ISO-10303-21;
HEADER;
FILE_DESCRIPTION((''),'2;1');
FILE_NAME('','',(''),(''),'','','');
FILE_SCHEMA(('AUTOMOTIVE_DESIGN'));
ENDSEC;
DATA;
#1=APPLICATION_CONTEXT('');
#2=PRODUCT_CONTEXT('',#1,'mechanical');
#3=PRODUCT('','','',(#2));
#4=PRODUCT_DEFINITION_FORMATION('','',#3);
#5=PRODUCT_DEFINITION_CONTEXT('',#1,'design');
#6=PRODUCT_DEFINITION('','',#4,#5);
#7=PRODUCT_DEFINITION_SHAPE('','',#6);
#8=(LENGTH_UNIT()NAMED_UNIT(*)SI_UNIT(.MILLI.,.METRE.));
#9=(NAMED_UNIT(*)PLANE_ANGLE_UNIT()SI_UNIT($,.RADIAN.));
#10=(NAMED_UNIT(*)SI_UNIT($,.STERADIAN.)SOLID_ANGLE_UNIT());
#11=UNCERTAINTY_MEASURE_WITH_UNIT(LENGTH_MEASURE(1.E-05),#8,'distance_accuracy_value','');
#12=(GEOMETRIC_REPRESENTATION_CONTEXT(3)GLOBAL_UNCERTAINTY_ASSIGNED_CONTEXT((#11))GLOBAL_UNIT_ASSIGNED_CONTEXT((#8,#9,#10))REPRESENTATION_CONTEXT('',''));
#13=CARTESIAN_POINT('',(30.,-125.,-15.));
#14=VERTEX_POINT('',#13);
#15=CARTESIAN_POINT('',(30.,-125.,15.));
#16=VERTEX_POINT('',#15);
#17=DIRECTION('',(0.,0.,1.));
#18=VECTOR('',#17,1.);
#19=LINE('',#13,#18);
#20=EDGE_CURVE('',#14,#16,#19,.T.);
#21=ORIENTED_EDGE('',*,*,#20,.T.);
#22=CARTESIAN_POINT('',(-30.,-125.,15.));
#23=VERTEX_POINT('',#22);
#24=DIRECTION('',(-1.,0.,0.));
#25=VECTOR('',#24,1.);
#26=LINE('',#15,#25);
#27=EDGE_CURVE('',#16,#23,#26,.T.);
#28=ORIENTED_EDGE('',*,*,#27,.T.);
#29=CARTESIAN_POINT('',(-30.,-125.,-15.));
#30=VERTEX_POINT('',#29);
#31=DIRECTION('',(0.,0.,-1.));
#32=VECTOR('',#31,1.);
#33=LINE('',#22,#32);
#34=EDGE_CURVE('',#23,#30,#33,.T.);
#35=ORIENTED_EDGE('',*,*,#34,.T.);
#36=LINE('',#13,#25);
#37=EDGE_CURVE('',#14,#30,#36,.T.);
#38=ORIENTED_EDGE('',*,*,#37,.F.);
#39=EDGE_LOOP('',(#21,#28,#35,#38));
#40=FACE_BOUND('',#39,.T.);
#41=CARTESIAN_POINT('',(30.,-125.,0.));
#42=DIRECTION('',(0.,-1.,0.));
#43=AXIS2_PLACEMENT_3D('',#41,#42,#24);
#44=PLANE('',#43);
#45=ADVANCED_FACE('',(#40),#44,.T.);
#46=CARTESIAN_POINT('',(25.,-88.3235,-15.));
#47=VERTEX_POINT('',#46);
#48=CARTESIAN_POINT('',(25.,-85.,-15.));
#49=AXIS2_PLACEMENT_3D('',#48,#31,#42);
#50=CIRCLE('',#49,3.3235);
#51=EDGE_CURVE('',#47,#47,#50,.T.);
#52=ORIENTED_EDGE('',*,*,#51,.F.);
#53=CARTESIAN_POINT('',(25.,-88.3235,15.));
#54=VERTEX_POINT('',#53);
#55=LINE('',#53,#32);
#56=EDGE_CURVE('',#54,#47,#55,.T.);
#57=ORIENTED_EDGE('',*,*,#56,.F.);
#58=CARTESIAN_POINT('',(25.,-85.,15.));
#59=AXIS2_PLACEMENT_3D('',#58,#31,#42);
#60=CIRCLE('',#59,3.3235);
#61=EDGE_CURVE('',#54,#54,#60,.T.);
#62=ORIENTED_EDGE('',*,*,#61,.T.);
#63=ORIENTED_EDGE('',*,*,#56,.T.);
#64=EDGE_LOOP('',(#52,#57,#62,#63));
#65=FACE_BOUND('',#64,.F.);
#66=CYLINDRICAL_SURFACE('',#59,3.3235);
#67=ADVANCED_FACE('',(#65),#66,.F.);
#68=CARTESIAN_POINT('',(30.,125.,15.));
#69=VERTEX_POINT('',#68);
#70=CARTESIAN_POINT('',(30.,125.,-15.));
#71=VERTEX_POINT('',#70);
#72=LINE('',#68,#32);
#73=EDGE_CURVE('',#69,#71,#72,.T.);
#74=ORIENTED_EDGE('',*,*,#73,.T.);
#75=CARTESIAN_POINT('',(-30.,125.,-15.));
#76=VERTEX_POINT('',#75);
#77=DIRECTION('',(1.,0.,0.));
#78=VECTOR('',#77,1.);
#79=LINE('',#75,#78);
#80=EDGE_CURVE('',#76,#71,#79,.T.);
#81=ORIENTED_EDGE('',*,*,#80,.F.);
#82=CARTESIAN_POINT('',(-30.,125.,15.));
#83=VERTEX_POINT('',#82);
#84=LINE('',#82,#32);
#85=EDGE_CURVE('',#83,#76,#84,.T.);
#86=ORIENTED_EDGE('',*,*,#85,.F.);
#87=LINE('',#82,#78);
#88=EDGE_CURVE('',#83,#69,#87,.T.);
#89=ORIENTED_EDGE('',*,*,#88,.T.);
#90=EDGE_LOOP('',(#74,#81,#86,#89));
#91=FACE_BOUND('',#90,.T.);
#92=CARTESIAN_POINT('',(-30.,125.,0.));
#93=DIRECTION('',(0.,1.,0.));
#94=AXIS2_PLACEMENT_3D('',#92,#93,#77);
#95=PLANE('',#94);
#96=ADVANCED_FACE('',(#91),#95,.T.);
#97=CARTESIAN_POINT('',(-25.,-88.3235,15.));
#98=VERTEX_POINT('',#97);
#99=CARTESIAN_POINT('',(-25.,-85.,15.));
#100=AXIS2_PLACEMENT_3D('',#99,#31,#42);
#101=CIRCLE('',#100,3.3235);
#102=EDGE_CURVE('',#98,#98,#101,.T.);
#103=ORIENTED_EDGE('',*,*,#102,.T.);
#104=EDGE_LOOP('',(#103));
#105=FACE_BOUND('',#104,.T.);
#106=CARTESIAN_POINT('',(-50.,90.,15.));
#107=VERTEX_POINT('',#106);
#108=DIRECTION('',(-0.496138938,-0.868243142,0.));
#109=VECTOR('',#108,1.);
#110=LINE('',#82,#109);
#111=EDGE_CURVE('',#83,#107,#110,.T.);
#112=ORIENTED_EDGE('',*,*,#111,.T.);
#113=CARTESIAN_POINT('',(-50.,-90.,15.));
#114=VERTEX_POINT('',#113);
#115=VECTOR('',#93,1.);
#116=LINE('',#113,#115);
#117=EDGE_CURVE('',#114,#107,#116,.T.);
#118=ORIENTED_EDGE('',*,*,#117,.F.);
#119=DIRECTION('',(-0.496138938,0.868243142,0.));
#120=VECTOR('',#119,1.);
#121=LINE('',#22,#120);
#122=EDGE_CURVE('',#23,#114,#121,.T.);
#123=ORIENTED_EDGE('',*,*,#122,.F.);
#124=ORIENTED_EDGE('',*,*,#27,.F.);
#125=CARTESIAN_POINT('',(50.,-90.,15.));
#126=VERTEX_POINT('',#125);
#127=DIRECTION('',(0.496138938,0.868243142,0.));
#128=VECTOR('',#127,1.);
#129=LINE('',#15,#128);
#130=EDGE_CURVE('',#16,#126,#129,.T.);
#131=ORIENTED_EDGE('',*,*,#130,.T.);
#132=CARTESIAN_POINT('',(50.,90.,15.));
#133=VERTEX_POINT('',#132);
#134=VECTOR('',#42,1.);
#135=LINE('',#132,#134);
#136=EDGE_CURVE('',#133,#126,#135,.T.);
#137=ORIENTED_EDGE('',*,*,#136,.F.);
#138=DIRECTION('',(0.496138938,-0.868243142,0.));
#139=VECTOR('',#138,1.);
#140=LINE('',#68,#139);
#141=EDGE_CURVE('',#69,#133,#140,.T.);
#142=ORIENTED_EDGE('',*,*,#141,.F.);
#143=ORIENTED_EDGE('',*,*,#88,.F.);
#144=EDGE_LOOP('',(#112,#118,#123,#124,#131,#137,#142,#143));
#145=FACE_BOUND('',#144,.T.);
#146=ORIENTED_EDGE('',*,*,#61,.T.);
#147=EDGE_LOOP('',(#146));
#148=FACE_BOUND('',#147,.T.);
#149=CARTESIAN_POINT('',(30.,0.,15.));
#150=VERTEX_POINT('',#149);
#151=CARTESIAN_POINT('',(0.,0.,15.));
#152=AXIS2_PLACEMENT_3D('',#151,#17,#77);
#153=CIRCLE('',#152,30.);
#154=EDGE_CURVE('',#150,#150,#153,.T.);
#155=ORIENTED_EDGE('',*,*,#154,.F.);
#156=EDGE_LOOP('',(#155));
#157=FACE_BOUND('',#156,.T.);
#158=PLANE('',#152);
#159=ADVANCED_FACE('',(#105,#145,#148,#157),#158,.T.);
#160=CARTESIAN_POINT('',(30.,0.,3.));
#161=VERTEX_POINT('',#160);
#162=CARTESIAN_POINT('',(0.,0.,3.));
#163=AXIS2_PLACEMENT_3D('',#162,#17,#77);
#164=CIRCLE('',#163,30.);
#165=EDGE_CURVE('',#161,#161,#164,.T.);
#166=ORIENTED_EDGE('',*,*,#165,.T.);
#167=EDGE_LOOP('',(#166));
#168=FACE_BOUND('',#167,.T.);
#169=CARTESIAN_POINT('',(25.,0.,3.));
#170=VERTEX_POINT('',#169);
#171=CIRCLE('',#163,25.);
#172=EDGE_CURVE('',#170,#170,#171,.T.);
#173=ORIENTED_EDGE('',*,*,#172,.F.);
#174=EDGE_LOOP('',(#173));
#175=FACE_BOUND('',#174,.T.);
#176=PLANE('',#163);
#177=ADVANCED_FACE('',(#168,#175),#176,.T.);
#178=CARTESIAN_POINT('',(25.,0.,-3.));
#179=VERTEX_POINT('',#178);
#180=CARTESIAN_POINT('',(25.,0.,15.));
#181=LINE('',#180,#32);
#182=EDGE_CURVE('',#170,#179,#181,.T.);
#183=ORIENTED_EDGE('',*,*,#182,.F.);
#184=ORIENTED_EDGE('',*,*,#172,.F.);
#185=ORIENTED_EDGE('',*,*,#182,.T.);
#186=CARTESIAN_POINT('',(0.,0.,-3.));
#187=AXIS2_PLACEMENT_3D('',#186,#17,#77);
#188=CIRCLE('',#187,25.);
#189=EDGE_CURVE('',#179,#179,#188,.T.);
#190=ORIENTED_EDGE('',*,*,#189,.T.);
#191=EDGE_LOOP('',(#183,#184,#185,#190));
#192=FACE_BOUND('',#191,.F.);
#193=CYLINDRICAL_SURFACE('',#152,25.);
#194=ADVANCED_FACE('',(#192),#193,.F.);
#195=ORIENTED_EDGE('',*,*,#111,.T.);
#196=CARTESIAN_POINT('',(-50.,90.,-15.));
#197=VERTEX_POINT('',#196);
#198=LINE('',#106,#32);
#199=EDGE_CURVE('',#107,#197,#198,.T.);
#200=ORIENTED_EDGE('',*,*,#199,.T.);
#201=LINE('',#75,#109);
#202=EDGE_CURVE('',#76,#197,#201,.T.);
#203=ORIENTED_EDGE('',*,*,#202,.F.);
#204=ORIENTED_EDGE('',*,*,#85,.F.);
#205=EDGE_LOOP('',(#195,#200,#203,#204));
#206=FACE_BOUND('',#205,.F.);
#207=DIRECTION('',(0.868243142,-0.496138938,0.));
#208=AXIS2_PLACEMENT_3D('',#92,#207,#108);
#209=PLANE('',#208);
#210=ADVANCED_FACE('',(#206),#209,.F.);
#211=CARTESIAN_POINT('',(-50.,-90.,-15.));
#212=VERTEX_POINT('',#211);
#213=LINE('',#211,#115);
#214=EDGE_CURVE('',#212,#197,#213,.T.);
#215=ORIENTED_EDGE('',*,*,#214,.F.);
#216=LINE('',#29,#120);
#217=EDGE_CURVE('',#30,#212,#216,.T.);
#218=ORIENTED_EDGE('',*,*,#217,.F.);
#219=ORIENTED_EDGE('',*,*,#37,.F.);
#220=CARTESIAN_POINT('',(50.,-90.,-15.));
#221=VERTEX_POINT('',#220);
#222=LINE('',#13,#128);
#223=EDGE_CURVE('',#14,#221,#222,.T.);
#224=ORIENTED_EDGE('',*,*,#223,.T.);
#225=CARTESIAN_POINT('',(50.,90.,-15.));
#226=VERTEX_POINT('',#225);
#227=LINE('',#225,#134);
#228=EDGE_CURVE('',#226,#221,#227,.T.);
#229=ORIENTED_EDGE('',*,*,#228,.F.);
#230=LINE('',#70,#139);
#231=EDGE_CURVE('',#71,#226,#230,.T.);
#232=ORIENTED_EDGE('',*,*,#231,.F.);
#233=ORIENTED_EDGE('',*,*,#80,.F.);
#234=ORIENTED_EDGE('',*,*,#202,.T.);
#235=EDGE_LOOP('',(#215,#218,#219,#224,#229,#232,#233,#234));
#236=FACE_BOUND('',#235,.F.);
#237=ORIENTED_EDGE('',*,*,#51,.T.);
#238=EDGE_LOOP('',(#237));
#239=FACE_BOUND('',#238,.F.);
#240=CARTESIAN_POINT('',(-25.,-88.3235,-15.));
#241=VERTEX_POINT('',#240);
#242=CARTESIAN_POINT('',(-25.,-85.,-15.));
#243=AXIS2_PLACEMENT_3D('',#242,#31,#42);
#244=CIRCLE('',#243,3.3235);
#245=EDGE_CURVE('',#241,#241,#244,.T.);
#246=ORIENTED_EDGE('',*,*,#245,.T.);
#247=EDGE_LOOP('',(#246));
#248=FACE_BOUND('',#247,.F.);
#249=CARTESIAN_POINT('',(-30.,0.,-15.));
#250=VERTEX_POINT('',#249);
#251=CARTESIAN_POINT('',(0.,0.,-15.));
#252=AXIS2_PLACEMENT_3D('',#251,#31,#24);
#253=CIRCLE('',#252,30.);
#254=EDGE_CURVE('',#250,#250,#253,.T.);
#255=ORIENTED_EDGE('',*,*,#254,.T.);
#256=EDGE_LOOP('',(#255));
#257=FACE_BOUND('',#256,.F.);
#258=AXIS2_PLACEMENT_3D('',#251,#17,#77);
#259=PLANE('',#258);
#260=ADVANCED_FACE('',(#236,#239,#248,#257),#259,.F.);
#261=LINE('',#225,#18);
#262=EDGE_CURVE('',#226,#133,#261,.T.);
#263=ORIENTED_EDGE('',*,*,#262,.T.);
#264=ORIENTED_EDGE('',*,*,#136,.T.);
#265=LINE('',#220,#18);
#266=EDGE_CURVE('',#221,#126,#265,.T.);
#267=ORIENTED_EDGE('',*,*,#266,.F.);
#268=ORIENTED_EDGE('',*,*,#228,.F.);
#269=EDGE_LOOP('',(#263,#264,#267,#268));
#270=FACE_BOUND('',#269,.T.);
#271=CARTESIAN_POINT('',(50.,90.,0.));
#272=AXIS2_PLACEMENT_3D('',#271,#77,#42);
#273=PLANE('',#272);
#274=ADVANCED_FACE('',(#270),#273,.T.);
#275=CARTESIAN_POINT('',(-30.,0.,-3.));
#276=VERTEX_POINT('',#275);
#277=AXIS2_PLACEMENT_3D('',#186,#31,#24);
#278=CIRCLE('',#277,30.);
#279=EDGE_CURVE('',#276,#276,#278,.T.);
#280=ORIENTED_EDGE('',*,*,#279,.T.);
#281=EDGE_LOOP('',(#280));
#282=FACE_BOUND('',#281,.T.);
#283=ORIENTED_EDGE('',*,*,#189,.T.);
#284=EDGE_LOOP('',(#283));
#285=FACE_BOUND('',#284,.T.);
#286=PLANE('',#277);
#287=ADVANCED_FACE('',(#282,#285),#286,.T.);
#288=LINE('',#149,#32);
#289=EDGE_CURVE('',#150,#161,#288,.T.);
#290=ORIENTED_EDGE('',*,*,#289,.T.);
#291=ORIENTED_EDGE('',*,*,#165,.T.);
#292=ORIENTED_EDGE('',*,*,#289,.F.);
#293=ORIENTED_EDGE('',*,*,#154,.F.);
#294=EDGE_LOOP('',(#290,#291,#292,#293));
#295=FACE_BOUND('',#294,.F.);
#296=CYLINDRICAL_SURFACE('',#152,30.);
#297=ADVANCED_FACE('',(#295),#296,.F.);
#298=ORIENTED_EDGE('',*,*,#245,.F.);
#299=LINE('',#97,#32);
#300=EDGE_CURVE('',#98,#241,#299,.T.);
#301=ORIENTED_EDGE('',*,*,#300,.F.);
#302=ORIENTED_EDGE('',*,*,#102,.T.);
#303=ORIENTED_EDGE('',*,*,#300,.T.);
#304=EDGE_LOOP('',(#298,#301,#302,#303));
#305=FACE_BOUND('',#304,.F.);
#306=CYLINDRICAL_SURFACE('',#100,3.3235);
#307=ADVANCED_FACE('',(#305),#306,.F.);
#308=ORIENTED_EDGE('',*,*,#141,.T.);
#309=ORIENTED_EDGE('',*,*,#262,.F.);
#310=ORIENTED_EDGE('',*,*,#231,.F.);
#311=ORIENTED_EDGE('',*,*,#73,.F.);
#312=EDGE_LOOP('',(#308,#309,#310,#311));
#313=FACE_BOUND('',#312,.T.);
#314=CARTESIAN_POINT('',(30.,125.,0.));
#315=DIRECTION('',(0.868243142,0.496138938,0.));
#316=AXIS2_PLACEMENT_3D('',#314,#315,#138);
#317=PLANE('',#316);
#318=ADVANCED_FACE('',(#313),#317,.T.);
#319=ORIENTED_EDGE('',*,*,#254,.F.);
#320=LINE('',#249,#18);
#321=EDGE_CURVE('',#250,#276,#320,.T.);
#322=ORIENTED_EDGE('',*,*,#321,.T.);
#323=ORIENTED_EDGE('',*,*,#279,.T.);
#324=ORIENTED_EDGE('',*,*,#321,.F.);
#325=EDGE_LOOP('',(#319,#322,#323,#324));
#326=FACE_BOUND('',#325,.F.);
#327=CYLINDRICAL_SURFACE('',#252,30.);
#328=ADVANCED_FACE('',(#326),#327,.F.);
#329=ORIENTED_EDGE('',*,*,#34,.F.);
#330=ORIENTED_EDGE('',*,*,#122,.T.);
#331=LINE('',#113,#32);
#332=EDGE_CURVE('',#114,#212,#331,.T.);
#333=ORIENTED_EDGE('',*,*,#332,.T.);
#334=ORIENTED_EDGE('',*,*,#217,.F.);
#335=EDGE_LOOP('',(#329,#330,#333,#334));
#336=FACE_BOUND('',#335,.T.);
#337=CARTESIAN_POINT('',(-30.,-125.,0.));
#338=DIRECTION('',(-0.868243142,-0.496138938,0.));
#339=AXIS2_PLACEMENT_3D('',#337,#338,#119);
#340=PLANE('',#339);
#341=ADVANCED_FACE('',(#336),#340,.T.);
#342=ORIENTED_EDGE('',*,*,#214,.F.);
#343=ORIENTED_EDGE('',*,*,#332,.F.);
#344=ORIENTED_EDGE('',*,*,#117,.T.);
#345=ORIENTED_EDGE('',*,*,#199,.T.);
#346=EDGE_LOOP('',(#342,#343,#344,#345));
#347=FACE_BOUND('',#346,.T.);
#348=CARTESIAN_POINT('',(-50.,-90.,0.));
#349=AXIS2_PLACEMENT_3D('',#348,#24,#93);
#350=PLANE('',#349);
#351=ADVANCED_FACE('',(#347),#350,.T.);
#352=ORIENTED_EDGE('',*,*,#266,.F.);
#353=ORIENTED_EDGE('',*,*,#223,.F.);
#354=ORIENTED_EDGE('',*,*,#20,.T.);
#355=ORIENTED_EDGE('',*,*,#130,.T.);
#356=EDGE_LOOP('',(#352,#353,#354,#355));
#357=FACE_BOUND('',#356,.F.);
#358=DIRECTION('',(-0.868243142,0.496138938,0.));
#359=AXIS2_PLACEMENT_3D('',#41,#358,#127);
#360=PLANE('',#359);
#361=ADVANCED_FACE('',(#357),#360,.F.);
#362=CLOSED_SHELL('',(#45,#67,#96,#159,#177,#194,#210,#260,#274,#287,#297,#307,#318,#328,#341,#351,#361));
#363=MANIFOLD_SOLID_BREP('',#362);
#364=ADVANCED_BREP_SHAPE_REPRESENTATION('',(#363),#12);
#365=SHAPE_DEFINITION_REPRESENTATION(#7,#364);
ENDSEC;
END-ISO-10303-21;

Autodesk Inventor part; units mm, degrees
ref_plane "YZ Plane" through (0, 0, 0) normal (1, 0, 0) x (0, 1, 0)
ref_plane "XY Plane" through (0, 0, 0) normal (0, 0, 1) x (1, 0, 0)
ref_plane "Upper Pickup Plane" through (0, 110, 0) normal (0, 1, 0) x (-1, 0, 0)
ref_plane "Lower Pickup Plane" through (0, -110, 0) normal (0, 1, 0) x (-1, 0, 0)
sketch "Sketch1" plane through (0, 0, 0) normal (0, 0, 1) x (1, 0, 0)
  line L0 (-70, 0) -> (70, 0) construction
  line L1 (0, 175) -> (0, -175) construction
  line L2 (30, -125) -> (-30, -125)
  line L3 (-50, -90) -> (-50, 90)
  line L4 (-30, 125) -> (30, 125)
  line L5 (50, 90) -> (50, -90)
  line L6 (-30, 125) -> (-50, 90)
  line L7 (30, 125) -> (50, 90)
  line L8 (-50, 90) -> (50, 90) construction
  line L9 (-30, -125) -> (-50, -90)
  line L10 (30, -125) -> (50, -90)
  line L11 (-50, -90) -> (50, -90) construction
  line L12 (-50, 90) -> (-50, 125) construction
  line L13 (50, 90) -> (50, 125) construction
  line L14 (-30, 125) -> (-50, 125) construction
  line L15 (30, 125) -> (50, 125) construction
  line L16 (-50, -90) -> (-50, -125) construction
  line L17 (-30, -125) -> (-50, -125) construction
  line L18 (30, -125) -> (50, -125) construction
  line L19 (50, -90) -> (50, -125) construction
  point P0 (0, 0)
  point P1 (0, 110)
  point P2 (0, -110)
  dimension "d8" = 180
  dimension "d9" = 60
  dimension "d11" = 250
  dimension "d12" = 100
extrude "Main Body" add sketch "Sketch1" along normal mid plane 30
sketch "Sketch2" plane through (0, 0, 15) normal (0, 0, 1) x (1, 0, 0)
  circle A0 centre (0, 0) radius 25
  dimension "d13" = 50
extrude "Axle Bore" cut sketch "Sketch2" against normal through all
sketch "Sketch3" plane through (0, 0, 15) normal (0, 0, 1) x (1, 0, 0)
  circle A0 centre (0, 0) radius 30
  circle A1 centre (0, 0) radius 25 projected
  dimension "d16" = 60
extrude "Front Side Bearing Pocket" cut sketch "Sketch3" against normal blind 12
sketch "Sketch4" plane through (0, 0, -15) normal (0, 0, -1) x (-1, 0, 0)
  circle A0 centre (0, 0) radius 30 projected
  circle A1 centre (0, 0) radius 25 projected
extrude "Back Side Bearing Pocket" cut sketch "Sketch4" against normal blind 12
sketch "Sketch5" plane through (0, 0, 15) normal (0, 0, 1) x (1, 0, 0)
  line L0 (-50, 90) -> (-50, -90) projected
  line L1 (-50, -85) -> (50, -85) construction
  line L2 (50, -90) -> (50, 90) projected
  line L3 (0, 175) -> (0, -175) construction
  point P0 (0, 0)
  point P1 (0, -110)
  point P2 (-25, -85)
  point P3 (25, -85)
  dimension "d23" = 25
  dimension "d24" = 50
hole "Hole1" at (-25, -85, 15) at (25, -85, 15) direction (0, 0, -1) diameter 6.647 depth 30 thread size "M8x1.25" class "6H" standard "ANSI Metric M Profile"
equation "\"d4\" = Upright_Thickness"
equation "\"d13\" = Axle_Bore_Diameter"
equation "\"d16\" = Wheel_Bearing_Bore_Diameter"
equation "\"d17\" = Wheel_Bearing_Thickness"
equation "\"d19\" = Wheel_Bearing_Thickness"
equation "\"d23\" = arm_z"
equation "\"d26\" = Upright_Thickness"
equation "\"Upright_Thickness\" = 30"
equation "\"Axle_Bore_Diameter\" = 50"
equation "\"Wheel_Bearing_Bore_Diameter\" = 60"
equation "\"Wheel_Bearing_Thickness\" = 12"
equation "\"arm_z\" = 25"
properties part number "Suspension_Upright_V2"
